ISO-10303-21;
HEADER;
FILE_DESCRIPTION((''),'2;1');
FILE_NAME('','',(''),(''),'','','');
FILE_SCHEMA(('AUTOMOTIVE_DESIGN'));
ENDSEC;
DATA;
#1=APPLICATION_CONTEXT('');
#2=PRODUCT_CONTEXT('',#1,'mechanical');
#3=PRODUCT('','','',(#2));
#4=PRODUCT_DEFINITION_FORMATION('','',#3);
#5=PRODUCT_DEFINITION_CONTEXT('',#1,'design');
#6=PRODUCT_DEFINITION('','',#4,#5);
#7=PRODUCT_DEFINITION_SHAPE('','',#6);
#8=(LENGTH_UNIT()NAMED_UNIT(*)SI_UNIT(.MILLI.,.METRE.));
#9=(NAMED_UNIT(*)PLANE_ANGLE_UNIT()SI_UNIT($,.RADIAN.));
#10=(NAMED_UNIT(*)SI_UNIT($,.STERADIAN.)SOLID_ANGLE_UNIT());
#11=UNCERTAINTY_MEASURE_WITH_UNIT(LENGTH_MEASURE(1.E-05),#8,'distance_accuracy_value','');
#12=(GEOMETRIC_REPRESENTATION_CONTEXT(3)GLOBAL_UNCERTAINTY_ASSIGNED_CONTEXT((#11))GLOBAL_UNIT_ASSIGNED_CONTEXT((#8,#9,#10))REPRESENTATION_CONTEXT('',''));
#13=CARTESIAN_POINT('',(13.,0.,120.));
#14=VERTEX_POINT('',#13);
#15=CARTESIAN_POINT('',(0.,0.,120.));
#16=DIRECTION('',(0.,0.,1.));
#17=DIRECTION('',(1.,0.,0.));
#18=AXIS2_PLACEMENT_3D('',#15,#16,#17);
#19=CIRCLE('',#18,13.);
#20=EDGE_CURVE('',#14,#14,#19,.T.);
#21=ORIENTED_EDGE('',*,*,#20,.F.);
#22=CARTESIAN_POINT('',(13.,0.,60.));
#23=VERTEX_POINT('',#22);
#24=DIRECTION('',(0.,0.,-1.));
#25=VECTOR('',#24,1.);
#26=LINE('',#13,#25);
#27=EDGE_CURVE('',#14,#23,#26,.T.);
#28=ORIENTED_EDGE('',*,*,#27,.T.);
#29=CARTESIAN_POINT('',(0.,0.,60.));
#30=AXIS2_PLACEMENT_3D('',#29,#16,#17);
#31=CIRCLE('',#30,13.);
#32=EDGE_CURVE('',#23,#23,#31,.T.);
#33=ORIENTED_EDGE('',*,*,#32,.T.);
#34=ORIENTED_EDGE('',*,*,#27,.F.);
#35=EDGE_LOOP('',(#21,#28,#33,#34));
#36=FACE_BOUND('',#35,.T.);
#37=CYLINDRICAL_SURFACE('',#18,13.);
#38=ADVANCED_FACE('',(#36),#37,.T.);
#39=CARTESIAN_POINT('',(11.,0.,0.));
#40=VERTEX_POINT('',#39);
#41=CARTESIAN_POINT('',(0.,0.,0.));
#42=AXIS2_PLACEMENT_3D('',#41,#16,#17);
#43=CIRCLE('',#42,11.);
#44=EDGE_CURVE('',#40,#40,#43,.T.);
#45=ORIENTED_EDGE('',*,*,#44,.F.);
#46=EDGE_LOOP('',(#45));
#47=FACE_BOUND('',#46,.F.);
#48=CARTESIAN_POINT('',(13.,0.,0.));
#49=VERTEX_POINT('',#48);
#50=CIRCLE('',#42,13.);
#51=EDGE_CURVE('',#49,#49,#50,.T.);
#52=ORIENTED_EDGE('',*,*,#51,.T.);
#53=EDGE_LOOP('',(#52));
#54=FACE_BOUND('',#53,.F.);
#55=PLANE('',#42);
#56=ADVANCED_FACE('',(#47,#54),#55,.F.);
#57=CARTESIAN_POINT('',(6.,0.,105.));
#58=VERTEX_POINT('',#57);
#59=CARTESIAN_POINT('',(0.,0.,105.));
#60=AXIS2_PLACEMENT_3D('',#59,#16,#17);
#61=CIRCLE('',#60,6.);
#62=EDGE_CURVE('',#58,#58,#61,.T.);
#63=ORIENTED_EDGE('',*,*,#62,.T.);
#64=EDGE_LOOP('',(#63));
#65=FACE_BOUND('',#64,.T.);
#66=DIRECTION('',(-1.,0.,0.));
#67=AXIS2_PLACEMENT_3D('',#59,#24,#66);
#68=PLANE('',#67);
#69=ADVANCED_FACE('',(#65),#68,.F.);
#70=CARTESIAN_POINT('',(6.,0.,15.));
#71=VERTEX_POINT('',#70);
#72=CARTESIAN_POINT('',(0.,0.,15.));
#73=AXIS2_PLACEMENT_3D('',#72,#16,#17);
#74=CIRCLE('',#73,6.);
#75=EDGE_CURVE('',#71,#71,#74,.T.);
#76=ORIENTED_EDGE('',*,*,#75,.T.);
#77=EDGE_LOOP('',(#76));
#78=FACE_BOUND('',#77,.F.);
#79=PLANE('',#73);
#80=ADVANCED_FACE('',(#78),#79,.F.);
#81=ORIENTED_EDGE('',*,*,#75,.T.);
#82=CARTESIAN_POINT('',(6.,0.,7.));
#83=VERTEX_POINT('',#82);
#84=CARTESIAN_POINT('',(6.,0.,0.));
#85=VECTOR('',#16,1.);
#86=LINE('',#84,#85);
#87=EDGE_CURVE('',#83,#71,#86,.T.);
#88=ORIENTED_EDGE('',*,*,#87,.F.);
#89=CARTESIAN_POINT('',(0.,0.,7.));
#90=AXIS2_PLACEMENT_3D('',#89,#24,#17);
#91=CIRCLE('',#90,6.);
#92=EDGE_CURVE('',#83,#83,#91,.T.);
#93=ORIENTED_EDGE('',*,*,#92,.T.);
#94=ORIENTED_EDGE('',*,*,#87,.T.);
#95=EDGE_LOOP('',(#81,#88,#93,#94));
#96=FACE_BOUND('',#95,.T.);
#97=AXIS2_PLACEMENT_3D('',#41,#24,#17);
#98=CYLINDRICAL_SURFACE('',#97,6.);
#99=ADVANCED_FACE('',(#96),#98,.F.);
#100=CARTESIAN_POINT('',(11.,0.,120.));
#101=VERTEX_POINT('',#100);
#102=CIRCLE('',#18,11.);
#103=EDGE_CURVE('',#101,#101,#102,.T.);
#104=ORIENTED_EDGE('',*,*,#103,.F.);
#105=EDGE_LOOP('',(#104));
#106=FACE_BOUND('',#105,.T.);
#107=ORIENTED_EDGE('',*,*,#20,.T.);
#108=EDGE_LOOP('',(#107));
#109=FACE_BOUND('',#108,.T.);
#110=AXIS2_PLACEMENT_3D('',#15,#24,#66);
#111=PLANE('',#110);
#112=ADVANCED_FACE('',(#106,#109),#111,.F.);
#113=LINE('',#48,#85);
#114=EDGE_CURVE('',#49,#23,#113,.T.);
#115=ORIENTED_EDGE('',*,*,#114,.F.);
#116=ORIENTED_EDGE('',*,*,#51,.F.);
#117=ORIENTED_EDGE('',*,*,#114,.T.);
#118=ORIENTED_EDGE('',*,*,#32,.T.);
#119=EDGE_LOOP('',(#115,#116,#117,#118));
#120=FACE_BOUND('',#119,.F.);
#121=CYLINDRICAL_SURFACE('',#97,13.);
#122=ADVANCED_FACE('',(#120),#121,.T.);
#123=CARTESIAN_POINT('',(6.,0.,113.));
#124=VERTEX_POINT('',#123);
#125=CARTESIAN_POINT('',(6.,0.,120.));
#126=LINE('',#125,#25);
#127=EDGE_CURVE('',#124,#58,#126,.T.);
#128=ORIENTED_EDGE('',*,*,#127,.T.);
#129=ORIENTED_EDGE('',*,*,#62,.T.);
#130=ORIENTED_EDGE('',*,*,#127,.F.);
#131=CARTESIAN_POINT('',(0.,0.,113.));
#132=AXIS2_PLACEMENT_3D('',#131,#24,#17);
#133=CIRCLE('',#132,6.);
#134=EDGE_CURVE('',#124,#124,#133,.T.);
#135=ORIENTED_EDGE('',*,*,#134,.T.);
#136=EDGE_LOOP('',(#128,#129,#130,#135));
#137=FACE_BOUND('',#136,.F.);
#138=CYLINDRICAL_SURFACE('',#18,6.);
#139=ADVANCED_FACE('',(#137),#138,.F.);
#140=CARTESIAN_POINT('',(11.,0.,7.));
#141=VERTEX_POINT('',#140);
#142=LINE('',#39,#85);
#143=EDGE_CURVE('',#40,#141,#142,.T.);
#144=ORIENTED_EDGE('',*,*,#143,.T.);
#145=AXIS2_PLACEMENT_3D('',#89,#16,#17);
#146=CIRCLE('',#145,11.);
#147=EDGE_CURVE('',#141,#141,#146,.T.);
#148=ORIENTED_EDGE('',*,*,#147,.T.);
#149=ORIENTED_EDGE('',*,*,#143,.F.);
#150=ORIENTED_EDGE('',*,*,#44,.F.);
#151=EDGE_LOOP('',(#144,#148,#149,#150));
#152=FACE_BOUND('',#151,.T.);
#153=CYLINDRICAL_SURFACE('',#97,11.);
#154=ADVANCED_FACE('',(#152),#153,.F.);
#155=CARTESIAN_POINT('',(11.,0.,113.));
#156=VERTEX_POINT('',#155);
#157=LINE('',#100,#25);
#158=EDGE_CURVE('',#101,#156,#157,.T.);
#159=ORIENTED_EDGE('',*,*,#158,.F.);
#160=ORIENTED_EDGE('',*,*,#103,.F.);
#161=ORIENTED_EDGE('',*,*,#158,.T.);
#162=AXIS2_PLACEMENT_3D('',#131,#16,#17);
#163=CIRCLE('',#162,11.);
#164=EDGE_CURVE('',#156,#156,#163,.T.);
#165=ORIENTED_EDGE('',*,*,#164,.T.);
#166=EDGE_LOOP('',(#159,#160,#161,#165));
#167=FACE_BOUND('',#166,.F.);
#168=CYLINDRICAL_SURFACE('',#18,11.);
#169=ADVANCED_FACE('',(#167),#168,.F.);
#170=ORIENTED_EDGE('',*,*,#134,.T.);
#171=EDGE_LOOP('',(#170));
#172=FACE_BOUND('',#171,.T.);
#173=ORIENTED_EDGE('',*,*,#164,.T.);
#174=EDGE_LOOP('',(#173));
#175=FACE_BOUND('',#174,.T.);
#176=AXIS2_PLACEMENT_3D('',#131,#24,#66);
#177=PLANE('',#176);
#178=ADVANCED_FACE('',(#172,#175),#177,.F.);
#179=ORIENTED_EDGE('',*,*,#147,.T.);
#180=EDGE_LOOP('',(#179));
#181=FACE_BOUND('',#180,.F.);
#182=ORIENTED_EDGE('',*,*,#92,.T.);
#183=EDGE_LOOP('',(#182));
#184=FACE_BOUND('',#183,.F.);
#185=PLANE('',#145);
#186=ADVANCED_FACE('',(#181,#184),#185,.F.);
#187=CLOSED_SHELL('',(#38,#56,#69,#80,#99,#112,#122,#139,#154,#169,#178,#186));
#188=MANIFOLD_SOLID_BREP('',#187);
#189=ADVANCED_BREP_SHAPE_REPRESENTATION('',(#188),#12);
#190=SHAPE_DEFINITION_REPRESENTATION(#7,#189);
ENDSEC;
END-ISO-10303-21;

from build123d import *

# Parameters (mm, degrees)
F0_R     = 13
F0_R_2   = 11
F0_R_3   = 6
F1_DEPTH = 60
F2_DEPTH = 7
F3_DEPTH = 15


with BuildPart() as f1:
    # F0 (on Top) → F1 (new body)
    with BuildSketch(Plane.XY):
        Circle(F0_R)
        Circle(F0_R_2, mode=Mode.SUBTRACT)
        Circle(F0_R_2)
        Circle(F0_R_3, mode=Mode.SUBTRACT)
        Circle(F0_R_3)
    extrude(amount=F1_DEPTH)

    # F0 (on Top) → F2 (cut)
    with BuildSketch(Plane.XY):
        Circle(F0_R_2)
        Circle(F0_R_3, mode=Mode.SUBTRACT)
        Circle(F0_R_3)
    extrude(amount=F2_DEPTH, mode=Mode.SUBTRACT)

    # F0 (on Top) → F3 (cut)
    with BuildSketch(Plane.XY):
        Circle(F0_R_3)
    extrude(amount=F3_DEPTH, mode=Mode.SUBTRACT)

    # F5: F1 across plane


with BuildPart() as f1_1:
    add(f1.part)
    add(f1.part.mirror(Plane.XY.offset(60)))


solid = f1_1.part
